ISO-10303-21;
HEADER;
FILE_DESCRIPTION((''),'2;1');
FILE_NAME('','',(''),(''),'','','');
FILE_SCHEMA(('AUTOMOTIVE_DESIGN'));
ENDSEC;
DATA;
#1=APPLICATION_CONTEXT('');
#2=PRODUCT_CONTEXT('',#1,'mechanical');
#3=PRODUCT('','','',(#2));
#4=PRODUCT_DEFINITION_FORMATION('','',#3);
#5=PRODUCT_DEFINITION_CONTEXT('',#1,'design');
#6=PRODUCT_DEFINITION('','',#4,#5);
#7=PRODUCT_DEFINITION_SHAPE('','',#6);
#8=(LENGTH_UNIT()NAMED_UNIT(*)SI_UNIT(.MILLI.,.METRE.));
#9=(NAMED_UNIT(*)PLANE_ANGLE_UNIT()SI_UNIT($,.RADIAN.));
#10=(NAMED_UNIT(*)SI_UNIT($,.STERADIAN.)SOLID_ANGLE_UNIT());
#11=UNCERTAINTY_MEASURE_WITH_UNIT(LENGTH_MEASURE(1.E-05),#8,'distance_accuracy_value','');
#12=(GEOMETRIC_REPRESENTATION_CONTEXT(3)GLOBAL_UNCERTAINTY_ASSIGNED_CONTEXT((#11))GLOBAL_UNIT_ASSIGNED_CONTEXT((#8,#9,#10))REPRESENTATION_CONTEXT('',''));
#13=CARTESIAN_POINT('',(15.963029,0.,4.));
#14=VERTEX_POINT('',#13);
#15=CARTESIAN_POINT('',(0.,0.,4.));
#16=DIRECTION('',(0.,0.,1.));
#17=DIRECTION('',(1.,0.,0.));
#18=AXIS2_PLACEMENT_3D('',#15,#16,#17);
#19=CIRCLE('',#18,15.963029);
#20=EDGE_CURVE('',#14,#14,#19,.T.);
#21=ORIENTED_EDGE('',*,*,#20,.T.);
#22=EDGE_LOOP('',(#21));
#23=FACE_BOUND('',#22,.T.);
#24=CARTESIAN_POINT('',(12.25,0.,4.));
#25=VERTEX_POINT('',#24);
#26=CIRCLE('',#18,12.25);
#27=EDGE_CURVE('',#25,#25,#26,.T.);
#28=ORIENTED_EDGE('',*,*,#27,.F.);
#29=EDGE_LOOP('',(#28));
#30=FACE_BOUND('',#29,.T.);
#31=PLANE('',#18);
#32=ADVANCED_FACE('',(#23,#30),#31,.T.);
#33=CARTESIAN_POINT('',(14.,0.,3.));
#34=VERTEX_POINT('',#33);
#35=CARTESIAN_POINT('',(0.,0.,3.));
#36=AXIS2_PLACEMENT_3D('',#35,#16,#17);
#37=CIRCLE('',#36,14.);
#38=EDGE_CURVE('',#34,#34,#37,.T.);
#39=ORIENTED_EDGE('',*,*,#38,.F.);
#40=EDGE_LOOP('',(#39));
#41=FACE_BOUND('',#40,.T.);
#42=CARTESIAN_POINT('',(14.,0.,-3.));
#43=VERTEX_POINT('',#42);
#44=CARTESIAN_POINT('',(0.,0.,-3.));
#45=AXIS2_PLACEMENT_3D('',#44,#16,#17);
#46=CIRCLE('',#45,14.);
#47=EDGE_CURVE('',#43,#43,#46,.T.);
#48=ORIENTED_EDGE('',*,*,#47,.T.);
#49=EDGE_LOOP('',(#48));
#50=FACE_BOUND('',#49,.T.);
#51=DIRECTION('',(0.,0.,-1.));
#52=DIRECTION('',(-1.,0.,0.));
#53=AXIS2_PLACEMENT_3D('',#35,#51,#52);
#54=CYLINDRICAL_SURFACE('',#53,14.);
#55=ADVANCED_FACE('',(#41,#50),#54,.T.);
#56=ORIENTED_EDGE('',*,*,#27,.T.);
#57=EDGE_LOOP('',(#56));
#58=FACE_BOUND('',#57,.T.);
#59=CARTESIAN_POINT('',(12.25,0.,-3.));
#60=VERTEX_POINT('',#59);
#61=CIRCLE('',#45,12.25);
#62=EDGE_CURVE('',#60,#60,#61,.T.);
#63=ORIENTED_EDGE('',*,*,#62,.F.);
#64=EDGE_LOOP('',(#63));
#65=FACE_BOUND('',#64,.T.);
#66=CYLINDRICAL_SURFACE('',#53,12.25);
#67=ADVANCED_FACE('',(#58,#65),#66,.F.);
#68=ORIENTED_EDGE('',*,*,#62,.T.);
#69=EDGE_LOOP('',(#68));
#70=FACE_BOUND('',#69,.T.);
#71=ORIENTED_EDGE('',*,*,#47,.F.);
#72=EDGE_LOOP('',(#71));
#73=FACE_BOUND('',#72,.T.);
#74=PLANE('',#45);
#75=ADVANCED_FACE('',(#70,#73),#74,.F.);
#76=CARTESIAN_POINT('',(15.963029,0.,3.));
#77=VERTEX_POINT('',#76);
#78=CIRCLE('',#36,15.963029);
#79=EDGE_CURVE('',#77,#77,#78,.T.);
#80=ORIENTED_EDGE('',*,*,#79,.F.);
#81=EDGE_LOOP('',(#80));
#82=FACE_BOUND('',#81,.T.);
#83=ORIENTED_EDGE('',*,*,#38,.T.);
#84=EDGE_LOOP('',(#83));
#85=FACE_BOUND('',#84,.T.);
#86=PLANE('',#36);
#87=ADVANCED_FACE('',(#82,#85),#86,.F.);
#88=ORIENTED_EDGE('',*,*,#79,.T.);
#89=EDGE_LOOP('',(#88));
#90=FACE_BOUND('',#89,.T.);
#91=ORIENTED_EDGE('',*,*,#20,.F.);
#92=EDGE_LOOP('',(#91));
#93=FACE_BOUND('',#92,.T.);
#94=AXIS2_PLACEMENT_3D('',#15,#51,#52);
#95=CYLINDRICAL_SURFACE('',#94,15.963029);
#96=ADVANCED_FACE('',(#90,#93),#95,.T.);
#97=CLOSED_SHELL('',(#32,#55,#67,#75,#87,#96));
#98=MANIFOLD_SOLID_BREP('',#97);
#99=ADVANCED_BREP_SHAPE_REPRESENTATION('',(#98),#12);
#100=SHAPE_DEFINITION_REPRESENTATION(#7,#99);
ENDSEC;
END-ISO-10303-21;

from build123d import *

# Parameters (mm, degrees)
SKETCH_1_R      = 14
SKETCH_1_R_2    = 12.25
EXTRUDE_1_DEPTH = 3
SKETCH_2_R      = 15.963029432
SKETCH_2_R_2    = 12.25
EXTRUDE_2_DEPTH = 1


with BuildPart() as part:
    # 草图1 → 凸台-拉伸1 (new, symmetric)
    with BuildSketch(Plane.XY):
        Circle(SKETCH_1_R)
        Circle(SKETCH_1_R_2, mode=Mode.SUBTRACT)
    extrude(amount=EXTRUDE_1_DEPTH, both=True)

    # 草图2 → 凸台-拉伸2 (add)
    with BuildSketch(Plane.XY.offset(3)):
        Circle(SKETCH_2_R)
        Circle(SKETCH_2_R_2, mode=Mode.SUBTRACT)
    extrude(amount=EXTRUDE_2_DEPTH)


solid = part.part
